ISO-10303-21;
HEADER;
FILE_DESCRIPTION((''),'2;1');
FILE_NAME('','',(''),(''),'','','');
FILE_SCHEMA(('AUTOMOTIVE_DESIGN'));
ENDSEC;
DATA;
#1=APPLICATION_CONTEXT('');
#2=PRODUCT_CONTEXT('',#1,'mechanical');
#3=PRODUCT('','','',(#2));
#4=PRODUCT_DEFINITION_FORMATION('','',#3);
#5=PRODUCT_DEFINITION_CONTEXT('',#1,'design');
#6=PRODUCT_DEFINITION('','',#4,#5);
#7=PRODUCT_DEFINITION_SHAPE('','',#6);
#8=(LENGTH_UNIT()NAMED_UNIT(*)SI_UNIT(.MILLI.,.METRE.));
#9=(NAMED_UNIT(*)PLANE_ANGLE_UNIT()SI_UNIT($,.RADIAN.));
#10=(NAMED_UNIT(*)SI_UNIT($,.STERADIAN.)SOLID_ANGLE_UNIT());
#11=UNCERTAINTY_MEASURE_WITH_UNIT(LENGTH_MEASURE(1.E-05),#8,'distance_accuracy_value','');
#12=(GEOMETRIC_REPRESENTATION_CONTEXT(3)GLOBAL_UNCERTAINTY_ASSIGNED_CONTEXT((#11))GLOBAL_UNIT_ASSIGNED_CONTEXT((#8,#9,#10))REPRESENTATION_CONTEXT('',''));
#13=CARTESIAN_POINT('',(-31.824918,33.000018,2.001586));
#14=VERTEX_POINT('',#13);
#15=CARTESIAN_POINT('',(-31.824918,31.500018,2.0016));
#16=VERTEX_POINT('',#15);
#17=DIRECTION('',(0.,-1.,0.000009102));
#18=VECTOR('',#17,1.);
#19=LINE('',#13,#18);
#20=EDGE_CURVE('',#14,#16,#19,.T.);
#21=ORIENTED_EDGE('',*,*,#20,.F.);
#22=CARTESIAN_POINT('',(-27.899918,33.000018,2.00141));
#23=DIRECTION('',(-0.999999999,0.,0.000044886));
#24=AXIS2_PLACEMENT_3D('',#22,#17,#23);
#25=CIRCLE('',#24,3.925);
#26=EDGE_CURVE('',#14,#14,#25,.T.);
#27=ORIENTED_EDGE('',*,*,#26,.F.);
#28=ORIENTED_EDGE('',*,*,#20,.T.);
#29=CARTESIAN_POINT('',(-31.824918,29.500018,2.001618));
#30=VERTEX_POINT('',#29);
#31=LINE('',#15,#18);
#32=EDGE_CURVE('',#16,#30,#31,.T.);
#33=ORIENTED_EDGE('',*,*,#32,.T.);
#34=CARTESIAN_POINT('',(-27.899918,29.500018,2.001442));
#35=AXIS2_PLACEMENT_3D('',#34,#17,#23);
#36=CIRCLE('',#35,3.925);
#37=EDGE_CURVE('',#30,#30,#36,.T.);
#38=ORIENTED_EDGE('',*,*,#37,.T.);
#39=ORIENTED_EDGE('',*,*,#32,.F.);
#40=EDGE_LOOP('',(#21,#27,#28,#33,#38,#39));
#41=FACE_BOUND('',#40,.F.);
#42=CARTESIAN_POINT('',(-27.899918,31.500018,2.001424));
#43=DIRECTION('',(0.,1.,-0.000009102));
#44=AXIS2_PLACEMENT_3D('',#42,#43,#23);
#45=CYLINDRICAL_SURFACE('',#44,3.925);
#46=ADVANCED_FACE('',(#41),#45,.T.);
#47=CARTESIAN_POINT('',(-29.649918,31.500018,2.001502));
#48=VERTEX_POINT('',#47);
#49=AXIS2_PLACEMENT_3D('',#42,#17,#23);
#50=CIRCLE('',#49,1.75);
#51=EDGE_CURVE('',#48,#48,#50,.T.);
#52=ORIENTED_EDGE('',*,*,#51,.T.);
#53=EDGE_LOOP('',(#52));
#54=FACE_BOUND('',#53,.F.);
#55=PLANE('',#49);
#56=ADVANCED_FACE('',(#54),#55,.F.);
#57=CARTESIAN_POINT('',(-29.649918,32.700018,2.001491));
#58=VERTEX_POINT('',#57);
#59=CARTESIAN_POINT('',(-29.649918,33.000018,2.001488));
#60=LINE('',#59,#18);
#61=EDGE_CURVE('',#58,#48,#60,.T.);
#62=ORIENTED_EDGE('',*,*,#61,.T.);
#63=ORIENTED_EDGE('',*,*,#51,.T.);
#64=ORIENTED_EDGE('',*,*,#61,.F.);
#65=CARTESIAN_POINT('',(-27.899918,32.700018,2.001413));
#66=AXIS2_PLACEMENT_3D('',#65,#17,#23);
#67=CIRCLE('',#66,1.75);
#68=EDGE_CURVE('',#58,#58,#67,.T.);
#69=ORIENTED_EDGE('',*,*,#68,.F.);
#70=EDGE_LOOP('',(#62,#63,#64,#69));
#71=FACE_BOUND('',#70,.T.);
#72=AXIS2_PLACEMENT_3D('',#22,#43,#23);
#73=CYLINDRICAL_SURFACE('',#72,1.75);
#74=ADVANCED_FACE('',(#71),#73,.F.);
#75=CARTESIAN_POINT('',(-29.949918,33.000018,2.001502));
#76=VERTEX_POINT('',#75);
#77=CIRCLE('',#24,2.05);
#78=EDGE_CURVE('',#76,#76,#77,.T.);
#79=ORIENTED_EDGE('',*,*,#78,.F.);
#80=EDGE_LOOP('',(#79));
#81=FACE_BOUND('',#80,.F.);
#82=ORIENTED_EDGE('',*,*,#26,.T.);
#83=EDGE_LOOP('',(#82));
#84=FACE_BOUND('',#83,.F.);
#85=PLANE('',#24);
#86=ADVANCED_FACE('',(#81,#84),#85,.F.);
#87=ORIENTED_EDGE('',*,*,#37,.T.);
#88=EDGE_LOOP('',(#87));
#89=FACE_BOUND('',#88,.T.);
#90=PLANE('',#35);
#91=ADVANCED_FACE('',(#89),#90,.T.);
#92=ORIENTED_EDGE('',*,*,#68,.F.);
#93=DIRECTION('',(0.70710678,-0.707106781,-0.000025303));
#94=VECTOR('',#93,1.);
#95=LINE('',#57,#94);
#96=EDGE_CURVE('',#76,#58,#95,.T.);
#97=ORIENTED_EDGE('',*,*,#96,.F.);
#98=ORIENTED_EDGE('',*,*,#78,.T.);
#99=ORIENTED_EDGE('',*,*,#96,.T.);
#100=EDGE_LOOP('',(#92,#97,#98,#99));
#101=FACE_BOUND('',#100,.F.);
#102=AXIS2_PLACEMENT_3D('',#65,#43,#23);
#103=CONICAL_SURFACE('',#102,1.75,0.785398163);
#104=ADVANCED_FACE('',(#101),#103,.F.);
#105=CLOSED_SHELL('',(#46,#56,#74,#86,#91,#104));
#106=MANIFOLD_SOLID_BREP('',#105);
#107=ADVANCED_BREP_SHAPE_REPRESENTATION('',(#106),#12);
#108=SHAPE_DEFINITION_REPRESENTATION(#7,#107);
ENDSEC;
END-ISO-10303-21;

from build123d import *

# Parameters (mm, degrees)
SKETCH034_R     = 3.925
SKETCH034_R_2   = 1.75
PAD016_DEPTH    = 1.5
SKETCH035_R     = 3.925
PAD017_DEPTH    = 2
CHAMFER001_SIZE = 0.3


with BuildPart() as part:
    # Sketch034 (on DatumPlane) → Pad016 (new body)
    with BuildSketch(Plane(origin=(0.0002244487, 33.0000455142, 5.0001576066), x_dir=(-0.999999999, 4e-10, 4.48856e-05), z_dir=(0, -1, 9.1023e-06))):
        with Locations((27.900008, 3)):
            Circle(SKETCH034_R)
        with Locations((27.900008, 3)):
            Circle(SKETCH034_R_2, mode=Mode.SUBTRACT)
    extrude(amount=PAD016_DEPTH)

    # Sketch035 (on Face4 of Pad016) → Pad017 (join)
    with BuildSketch(Plane(origin=(0.0002244487, 31.5000455143, 5.00017126), x_dir=(-0.999999999, 4e-10, 4.48856e-05), z_dir=(0, -1, 9.1023e-06))):
        with Locations((27.900008, 3)):
            Circle(SKETCH035_R)
    extrude(amount=PAD017_DEPTH)

    # Chamfer001
    chamfer001_edges = [part.edges().sort_by_distance(p)[0] for p in [
        (-26.149918, 33.000018, 2.001331),
    ]]
    chamfer(chamfer001_edges, length=CHAMFER001_SIZE)


solid = part.part
